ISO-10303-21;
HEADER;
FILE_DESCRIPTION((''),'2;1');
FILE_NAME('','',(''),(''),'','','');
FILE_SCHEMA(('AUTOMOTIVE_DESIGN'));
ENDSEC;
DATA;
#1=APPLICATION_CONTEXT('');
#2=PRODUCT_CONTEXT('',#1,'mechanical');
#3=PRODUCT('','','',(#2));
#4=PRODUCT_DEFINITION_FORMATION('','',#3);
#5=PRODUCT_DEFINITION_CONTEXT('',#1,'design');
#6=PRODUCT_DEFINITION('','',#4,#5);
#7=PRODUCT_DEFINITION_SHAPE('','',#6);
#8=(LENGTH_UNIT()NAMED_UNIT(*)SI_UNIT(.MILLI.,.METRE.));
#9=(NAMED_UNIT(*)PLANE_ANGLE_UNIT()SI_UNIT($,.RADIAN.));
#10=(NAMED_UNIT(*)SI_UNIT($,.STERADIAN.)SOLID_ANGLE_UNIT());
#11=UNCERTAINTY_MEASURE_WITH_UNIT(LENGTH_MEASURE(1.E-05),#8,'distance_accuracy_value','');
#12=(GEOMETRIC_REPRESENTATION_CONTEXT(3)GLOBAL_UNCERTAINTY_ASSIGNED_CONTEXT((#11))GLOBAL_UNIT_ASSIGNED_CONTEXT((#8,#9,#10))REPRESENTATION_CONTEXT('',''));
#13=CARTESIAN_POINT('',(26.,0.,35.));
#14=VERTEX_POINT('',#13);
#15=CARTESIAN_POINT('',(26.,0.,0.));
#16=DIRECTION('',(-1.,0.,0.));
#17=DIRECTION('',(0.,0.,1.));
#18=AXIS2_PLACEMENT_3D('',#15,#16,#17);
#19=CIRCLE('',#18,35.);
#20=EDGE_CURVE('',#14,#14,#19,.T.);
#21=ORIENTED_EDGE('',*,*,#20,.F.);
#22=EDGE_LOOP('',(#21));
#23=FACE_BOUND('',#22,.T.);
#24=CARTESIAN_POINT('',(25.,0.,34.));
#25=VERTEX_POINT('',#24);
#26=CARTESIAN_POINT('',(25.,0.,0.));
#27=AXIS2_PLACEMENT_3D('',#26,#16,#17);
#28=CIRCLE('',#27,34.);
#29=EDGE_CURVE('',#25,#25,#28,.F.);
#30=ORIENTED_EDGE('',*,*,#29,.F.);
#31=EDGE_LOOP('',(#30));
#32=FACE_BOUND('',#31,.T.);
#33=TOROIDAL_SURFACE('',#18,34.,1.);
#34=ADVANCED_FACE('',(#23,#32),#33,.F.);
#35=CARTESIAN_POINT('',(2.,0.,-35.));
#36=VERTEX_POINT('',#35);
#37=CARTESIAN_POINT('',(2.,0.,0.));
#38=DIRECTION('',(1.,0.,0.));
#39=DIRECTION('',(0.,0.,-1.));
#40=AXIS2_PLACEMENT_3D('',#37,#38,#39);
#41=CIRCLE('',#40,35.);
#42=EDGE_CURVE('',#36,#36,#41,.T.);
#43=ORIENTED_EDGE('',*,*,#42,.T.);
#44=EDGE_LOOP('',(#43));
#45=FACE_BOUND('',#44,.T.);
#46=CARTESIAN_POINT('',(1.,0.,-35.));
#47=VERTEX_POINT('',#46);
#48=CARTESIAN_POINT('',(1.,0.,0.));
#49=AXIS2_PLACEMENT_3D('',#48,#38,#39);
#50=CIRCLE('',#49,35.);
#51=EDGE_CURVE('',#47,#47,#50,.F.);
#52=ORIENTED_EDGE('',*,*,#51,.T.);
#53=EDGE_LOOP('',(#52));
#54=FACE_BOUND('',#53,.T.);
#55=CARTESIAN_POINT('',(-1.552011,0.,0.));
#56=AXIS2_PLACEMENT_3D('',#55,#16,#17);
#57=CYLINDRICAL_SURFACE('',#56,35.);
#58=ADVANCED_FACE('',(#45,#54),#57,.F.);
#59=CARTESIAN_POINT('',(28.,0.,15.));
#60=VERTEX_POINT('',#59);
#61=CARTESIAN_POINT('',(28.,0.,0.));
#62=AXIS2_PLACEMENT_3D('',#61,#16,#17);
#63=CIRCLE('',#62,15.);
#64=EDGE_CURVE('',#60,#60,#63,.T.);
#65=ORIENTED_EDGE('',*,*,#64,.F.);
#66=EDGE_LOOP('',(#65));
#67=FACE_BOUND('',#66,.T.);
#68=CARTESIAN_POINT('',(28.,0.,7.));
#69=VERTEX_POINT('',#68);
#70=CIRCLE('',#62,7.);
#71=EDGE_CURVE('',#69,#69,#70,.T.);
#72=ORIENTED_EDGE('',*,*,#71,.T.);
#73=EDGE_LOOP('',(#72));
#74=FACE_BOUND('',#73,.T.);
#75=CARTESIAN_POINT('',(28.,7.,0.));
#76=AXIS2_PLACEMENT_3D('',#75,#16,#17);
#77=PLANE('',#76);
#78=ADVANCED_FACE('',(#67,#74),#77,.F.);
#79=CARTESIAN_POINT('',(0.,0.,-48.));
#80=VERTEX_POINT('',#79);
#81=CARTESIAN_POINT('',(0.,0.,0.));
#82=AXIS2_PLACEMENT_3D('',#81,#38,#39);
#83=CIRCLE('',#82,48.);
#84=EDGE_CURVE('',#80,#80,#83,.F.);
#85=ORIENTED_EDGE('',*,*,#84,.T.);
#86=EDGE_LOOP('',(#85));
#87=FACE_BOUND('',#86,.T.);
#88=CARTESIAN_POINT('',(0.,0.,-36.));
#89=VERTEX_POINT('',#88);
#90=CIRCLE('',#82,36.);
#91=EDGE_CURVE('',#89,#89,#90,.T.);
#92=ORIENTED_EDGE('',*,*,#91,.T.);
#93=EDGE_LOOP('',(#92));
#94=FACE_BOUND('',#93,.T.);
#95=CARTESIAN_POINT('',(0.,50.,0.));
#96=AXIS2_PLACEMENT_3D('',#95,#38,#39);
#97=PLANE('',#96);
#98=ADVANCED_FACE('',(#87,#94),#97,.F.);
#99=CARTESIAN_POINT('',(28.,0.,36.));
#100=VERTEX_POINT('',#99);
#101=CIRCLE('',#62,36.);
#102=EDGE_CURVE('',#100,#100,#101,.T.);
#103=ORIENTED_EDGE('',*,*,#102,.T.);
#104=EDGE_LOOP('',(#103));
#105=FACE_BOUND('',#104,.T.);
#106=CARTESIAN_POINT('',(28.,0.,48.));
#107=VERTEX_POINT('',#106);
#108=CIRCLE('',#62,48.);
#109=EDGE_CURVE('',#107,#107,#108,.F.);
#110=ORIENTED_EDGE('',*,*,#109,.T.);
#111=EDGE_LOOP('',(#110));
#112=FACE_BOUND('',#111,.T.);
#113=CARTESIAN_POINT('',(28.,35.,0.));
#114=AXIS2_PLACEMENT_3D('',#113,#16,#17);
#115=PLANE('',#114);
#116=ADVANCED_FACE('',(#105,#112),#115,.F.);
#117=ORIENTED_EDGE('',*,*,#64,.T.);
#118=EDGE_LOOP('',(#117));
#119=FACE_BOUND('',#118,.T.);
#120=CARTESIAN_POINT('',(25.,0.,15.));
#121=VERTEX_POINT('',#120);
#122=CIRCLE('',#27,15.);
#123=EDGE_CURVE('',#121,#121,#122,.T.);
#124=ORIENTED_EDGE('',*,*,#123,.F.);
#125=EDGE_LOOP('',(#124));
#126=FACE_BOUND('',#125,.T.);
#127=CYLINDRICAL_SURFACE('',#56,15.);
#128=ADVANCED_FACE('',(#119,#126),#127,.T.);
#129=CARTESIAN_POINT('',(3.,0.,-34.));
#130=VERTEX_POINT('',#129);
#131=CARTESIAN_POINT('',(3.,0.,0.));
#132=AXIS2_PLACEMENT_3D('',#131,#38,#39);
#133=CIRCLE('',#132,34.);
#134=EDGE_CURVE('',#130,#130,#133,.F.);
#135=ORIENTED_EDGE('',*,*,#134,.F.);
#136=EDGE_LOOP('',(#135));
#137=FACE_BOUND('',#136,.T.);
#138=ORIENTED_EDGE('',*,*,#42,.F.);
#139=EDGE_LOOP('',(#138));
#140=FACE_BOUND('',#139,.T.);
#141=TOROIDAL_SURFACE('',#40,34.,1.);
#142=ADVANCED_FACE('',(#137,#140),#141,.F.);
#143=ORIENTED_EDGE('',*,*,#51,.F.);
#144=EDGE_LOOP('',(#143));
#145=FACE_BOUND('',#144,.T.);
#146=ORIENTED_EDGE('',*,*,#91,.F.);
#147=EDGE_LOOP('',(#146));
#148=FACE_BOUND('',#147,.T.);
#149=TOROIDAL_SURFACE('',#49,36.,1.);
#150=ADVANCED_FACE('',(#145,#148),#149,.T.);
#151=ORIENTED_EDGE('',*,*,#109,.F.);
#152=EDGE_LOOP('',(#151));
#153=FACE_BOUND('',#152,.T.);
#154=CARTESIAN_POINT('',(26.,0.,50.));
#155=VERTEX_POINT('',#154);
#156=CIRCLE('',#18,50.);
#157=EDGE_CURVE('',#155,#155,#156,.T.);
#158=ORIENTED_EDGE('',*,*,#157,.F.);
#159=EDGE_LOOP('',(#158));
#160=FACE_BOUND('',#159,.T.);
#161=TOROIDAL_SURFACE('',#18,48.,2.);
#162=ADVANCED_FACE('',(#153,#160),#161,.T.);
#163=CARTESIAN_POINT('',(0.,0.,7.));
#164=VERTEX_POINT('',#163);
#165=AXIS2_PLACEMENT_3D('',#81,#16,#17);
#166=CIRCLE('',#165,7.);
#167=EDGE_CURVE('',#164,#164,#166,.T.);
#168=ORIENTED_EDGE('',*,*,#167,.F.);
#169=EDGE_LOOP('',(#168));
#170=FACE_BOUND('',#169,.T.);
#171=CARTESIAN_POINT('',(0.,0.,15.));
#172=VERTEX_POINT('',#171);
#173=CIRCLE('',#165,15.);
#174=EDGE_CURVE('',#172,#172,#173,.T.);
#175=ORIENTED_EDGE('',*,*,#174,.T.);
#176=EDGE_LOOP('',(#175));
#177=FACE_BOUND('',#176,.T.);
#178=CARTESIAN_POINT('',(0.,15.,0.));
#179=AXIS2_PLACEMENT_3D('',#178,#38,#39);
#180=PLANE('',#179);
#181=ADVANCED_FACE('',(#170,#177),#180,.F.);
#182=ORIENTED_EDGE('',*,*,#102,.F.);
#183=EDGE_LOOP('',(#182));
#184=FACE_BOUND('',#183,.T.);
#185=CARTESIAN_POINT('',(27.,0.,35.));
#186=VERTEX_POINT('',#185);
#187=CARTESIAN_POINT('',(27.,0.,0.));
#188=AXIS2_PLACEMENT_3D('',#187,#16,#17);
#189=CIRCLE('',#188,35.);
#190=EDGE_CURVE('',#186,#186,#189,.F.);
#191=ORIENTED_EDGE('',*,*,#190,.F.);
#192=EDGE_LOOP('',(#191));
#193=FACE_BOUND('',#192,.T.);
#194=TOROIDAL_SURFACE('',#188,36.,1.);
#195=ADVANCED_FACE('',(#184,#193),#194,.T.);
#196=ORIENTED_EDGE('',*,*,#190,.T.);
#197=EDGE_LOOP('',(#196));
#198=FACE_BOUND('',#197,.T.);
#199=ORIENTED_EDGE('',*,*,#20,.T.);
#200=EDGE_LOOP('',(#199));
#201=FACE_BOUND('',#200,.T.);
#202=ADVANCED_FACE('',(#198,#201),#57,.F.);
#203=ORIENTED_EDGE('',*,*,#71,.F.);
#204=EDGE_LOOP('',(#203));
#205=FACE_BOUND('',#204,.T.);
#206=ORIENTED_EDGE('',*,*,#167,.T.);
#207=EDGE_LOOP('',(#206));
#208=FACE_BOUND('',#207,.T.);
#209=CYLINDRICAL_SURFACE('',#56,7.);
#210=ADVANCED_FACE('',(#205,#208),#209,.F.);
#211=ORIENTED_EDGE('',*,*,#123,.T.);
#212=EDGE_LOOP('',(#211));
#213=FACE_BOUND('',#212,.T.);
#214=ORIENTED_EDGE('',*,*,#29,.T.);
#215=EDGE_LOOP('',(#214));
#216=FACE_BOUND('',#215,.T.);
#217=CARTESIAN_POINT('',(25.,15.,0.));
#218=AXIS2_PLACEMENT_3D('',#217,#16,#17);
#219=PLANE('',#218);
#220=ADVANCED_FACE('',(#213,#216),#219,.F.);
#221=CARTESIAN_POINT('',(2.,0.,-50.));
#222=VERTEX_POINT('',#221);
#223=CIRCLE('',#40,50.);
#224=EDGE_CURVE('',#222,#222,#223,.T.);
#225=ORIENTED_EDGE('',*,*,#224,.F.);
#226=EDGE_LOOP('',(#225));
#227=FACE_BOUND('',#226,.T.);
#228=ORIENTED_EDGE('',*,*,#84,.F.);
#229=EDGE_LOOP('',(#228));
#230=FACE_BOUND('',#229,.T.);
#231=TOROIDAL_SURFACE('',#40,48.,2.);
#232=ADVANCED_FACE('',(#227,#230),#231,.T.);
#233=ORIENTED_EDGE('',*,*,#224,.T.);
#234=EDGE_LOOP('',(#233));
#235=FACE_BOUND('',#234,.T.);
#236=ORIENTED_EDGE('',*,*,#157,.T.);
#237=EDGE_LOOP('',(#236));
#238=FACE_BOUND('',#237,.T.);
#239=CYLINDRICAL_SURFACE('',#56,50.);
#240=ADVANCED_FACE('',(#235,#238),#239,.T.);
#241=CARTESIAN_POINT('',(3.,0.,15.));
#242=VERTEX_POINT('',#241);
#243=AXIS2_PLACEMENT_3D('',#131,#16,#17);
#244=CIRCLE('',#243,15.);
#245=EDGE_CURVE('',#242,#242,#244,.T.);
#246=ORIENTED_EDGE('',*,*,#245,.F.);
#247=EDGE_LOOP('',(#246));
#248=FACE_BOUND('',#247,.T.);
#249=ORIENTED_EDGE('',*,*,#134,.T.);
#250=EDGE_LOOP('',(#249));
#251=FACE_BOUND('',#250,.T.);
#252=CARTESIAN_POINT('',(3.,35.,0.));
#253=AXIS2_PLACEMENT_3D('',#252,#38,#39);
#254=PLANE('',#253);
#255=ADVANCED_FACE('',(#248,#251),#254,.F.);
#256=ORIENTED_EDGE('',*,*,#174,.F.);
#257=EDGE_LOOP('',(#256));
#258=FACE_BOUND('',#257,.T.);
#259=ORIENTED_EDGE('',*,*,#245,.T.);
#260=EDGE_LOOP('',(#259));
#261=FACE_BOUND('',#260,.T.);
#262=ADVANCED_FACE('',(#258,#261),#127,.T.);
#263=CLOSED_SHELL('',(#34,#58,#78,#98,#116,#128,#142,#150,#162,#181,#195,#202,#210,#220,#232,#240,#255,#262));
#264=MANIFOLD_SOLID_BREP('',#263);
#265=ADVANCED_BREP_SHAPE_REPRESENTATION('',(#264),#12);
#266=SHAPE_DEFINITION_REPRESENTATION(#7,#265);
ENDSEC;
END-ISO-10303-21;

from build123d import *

# Parameters (mm, degrees)
REDONDEO1_R = 2
REDONDEO2_R = 1


with BuildPart() as part:
    # Croquis1 → Revolución1 (revolve)
    with BuildSketch(Plane.XY, mode=Mode.PRIVATE) as revoluci_n1_sk:
        Polygon((0, 7), (28, 7), (28, 15), (25, 15), (25, 35), (28, 35), (28, 50), (0, 50), (0, 35), (3, 35), (3, 15), (0, 15), align=None)
    revolve(revoluci_n1_sk.sketch.rotate(Axis((-1.552010625, 0, 0), (1, 0, 0)), 90), axis=Axis((-1.552010625, 0, 0), (1, 0, 0)))

    # Redondeo1
    redondeo1_edges = [part.edges().sort_by_distance(p)[0] for p in [
        (0, 0, -50),
        (28, 0, -50),
    ]]
    fillet(redondeo1_edges, radius=REDONDEO1_R)

    # Redondeo2
    redondeo2_edges = [part.edges().sort_by_distance(p)[0] for p in [
        (28, 0, -35),
        (25, 0, -35),
        (3, 0, -35),
        (0, 0, -35),
    ]]
    fillet(redondeo2_edges, radius=REDONDEO2_R)


solid = part.part
